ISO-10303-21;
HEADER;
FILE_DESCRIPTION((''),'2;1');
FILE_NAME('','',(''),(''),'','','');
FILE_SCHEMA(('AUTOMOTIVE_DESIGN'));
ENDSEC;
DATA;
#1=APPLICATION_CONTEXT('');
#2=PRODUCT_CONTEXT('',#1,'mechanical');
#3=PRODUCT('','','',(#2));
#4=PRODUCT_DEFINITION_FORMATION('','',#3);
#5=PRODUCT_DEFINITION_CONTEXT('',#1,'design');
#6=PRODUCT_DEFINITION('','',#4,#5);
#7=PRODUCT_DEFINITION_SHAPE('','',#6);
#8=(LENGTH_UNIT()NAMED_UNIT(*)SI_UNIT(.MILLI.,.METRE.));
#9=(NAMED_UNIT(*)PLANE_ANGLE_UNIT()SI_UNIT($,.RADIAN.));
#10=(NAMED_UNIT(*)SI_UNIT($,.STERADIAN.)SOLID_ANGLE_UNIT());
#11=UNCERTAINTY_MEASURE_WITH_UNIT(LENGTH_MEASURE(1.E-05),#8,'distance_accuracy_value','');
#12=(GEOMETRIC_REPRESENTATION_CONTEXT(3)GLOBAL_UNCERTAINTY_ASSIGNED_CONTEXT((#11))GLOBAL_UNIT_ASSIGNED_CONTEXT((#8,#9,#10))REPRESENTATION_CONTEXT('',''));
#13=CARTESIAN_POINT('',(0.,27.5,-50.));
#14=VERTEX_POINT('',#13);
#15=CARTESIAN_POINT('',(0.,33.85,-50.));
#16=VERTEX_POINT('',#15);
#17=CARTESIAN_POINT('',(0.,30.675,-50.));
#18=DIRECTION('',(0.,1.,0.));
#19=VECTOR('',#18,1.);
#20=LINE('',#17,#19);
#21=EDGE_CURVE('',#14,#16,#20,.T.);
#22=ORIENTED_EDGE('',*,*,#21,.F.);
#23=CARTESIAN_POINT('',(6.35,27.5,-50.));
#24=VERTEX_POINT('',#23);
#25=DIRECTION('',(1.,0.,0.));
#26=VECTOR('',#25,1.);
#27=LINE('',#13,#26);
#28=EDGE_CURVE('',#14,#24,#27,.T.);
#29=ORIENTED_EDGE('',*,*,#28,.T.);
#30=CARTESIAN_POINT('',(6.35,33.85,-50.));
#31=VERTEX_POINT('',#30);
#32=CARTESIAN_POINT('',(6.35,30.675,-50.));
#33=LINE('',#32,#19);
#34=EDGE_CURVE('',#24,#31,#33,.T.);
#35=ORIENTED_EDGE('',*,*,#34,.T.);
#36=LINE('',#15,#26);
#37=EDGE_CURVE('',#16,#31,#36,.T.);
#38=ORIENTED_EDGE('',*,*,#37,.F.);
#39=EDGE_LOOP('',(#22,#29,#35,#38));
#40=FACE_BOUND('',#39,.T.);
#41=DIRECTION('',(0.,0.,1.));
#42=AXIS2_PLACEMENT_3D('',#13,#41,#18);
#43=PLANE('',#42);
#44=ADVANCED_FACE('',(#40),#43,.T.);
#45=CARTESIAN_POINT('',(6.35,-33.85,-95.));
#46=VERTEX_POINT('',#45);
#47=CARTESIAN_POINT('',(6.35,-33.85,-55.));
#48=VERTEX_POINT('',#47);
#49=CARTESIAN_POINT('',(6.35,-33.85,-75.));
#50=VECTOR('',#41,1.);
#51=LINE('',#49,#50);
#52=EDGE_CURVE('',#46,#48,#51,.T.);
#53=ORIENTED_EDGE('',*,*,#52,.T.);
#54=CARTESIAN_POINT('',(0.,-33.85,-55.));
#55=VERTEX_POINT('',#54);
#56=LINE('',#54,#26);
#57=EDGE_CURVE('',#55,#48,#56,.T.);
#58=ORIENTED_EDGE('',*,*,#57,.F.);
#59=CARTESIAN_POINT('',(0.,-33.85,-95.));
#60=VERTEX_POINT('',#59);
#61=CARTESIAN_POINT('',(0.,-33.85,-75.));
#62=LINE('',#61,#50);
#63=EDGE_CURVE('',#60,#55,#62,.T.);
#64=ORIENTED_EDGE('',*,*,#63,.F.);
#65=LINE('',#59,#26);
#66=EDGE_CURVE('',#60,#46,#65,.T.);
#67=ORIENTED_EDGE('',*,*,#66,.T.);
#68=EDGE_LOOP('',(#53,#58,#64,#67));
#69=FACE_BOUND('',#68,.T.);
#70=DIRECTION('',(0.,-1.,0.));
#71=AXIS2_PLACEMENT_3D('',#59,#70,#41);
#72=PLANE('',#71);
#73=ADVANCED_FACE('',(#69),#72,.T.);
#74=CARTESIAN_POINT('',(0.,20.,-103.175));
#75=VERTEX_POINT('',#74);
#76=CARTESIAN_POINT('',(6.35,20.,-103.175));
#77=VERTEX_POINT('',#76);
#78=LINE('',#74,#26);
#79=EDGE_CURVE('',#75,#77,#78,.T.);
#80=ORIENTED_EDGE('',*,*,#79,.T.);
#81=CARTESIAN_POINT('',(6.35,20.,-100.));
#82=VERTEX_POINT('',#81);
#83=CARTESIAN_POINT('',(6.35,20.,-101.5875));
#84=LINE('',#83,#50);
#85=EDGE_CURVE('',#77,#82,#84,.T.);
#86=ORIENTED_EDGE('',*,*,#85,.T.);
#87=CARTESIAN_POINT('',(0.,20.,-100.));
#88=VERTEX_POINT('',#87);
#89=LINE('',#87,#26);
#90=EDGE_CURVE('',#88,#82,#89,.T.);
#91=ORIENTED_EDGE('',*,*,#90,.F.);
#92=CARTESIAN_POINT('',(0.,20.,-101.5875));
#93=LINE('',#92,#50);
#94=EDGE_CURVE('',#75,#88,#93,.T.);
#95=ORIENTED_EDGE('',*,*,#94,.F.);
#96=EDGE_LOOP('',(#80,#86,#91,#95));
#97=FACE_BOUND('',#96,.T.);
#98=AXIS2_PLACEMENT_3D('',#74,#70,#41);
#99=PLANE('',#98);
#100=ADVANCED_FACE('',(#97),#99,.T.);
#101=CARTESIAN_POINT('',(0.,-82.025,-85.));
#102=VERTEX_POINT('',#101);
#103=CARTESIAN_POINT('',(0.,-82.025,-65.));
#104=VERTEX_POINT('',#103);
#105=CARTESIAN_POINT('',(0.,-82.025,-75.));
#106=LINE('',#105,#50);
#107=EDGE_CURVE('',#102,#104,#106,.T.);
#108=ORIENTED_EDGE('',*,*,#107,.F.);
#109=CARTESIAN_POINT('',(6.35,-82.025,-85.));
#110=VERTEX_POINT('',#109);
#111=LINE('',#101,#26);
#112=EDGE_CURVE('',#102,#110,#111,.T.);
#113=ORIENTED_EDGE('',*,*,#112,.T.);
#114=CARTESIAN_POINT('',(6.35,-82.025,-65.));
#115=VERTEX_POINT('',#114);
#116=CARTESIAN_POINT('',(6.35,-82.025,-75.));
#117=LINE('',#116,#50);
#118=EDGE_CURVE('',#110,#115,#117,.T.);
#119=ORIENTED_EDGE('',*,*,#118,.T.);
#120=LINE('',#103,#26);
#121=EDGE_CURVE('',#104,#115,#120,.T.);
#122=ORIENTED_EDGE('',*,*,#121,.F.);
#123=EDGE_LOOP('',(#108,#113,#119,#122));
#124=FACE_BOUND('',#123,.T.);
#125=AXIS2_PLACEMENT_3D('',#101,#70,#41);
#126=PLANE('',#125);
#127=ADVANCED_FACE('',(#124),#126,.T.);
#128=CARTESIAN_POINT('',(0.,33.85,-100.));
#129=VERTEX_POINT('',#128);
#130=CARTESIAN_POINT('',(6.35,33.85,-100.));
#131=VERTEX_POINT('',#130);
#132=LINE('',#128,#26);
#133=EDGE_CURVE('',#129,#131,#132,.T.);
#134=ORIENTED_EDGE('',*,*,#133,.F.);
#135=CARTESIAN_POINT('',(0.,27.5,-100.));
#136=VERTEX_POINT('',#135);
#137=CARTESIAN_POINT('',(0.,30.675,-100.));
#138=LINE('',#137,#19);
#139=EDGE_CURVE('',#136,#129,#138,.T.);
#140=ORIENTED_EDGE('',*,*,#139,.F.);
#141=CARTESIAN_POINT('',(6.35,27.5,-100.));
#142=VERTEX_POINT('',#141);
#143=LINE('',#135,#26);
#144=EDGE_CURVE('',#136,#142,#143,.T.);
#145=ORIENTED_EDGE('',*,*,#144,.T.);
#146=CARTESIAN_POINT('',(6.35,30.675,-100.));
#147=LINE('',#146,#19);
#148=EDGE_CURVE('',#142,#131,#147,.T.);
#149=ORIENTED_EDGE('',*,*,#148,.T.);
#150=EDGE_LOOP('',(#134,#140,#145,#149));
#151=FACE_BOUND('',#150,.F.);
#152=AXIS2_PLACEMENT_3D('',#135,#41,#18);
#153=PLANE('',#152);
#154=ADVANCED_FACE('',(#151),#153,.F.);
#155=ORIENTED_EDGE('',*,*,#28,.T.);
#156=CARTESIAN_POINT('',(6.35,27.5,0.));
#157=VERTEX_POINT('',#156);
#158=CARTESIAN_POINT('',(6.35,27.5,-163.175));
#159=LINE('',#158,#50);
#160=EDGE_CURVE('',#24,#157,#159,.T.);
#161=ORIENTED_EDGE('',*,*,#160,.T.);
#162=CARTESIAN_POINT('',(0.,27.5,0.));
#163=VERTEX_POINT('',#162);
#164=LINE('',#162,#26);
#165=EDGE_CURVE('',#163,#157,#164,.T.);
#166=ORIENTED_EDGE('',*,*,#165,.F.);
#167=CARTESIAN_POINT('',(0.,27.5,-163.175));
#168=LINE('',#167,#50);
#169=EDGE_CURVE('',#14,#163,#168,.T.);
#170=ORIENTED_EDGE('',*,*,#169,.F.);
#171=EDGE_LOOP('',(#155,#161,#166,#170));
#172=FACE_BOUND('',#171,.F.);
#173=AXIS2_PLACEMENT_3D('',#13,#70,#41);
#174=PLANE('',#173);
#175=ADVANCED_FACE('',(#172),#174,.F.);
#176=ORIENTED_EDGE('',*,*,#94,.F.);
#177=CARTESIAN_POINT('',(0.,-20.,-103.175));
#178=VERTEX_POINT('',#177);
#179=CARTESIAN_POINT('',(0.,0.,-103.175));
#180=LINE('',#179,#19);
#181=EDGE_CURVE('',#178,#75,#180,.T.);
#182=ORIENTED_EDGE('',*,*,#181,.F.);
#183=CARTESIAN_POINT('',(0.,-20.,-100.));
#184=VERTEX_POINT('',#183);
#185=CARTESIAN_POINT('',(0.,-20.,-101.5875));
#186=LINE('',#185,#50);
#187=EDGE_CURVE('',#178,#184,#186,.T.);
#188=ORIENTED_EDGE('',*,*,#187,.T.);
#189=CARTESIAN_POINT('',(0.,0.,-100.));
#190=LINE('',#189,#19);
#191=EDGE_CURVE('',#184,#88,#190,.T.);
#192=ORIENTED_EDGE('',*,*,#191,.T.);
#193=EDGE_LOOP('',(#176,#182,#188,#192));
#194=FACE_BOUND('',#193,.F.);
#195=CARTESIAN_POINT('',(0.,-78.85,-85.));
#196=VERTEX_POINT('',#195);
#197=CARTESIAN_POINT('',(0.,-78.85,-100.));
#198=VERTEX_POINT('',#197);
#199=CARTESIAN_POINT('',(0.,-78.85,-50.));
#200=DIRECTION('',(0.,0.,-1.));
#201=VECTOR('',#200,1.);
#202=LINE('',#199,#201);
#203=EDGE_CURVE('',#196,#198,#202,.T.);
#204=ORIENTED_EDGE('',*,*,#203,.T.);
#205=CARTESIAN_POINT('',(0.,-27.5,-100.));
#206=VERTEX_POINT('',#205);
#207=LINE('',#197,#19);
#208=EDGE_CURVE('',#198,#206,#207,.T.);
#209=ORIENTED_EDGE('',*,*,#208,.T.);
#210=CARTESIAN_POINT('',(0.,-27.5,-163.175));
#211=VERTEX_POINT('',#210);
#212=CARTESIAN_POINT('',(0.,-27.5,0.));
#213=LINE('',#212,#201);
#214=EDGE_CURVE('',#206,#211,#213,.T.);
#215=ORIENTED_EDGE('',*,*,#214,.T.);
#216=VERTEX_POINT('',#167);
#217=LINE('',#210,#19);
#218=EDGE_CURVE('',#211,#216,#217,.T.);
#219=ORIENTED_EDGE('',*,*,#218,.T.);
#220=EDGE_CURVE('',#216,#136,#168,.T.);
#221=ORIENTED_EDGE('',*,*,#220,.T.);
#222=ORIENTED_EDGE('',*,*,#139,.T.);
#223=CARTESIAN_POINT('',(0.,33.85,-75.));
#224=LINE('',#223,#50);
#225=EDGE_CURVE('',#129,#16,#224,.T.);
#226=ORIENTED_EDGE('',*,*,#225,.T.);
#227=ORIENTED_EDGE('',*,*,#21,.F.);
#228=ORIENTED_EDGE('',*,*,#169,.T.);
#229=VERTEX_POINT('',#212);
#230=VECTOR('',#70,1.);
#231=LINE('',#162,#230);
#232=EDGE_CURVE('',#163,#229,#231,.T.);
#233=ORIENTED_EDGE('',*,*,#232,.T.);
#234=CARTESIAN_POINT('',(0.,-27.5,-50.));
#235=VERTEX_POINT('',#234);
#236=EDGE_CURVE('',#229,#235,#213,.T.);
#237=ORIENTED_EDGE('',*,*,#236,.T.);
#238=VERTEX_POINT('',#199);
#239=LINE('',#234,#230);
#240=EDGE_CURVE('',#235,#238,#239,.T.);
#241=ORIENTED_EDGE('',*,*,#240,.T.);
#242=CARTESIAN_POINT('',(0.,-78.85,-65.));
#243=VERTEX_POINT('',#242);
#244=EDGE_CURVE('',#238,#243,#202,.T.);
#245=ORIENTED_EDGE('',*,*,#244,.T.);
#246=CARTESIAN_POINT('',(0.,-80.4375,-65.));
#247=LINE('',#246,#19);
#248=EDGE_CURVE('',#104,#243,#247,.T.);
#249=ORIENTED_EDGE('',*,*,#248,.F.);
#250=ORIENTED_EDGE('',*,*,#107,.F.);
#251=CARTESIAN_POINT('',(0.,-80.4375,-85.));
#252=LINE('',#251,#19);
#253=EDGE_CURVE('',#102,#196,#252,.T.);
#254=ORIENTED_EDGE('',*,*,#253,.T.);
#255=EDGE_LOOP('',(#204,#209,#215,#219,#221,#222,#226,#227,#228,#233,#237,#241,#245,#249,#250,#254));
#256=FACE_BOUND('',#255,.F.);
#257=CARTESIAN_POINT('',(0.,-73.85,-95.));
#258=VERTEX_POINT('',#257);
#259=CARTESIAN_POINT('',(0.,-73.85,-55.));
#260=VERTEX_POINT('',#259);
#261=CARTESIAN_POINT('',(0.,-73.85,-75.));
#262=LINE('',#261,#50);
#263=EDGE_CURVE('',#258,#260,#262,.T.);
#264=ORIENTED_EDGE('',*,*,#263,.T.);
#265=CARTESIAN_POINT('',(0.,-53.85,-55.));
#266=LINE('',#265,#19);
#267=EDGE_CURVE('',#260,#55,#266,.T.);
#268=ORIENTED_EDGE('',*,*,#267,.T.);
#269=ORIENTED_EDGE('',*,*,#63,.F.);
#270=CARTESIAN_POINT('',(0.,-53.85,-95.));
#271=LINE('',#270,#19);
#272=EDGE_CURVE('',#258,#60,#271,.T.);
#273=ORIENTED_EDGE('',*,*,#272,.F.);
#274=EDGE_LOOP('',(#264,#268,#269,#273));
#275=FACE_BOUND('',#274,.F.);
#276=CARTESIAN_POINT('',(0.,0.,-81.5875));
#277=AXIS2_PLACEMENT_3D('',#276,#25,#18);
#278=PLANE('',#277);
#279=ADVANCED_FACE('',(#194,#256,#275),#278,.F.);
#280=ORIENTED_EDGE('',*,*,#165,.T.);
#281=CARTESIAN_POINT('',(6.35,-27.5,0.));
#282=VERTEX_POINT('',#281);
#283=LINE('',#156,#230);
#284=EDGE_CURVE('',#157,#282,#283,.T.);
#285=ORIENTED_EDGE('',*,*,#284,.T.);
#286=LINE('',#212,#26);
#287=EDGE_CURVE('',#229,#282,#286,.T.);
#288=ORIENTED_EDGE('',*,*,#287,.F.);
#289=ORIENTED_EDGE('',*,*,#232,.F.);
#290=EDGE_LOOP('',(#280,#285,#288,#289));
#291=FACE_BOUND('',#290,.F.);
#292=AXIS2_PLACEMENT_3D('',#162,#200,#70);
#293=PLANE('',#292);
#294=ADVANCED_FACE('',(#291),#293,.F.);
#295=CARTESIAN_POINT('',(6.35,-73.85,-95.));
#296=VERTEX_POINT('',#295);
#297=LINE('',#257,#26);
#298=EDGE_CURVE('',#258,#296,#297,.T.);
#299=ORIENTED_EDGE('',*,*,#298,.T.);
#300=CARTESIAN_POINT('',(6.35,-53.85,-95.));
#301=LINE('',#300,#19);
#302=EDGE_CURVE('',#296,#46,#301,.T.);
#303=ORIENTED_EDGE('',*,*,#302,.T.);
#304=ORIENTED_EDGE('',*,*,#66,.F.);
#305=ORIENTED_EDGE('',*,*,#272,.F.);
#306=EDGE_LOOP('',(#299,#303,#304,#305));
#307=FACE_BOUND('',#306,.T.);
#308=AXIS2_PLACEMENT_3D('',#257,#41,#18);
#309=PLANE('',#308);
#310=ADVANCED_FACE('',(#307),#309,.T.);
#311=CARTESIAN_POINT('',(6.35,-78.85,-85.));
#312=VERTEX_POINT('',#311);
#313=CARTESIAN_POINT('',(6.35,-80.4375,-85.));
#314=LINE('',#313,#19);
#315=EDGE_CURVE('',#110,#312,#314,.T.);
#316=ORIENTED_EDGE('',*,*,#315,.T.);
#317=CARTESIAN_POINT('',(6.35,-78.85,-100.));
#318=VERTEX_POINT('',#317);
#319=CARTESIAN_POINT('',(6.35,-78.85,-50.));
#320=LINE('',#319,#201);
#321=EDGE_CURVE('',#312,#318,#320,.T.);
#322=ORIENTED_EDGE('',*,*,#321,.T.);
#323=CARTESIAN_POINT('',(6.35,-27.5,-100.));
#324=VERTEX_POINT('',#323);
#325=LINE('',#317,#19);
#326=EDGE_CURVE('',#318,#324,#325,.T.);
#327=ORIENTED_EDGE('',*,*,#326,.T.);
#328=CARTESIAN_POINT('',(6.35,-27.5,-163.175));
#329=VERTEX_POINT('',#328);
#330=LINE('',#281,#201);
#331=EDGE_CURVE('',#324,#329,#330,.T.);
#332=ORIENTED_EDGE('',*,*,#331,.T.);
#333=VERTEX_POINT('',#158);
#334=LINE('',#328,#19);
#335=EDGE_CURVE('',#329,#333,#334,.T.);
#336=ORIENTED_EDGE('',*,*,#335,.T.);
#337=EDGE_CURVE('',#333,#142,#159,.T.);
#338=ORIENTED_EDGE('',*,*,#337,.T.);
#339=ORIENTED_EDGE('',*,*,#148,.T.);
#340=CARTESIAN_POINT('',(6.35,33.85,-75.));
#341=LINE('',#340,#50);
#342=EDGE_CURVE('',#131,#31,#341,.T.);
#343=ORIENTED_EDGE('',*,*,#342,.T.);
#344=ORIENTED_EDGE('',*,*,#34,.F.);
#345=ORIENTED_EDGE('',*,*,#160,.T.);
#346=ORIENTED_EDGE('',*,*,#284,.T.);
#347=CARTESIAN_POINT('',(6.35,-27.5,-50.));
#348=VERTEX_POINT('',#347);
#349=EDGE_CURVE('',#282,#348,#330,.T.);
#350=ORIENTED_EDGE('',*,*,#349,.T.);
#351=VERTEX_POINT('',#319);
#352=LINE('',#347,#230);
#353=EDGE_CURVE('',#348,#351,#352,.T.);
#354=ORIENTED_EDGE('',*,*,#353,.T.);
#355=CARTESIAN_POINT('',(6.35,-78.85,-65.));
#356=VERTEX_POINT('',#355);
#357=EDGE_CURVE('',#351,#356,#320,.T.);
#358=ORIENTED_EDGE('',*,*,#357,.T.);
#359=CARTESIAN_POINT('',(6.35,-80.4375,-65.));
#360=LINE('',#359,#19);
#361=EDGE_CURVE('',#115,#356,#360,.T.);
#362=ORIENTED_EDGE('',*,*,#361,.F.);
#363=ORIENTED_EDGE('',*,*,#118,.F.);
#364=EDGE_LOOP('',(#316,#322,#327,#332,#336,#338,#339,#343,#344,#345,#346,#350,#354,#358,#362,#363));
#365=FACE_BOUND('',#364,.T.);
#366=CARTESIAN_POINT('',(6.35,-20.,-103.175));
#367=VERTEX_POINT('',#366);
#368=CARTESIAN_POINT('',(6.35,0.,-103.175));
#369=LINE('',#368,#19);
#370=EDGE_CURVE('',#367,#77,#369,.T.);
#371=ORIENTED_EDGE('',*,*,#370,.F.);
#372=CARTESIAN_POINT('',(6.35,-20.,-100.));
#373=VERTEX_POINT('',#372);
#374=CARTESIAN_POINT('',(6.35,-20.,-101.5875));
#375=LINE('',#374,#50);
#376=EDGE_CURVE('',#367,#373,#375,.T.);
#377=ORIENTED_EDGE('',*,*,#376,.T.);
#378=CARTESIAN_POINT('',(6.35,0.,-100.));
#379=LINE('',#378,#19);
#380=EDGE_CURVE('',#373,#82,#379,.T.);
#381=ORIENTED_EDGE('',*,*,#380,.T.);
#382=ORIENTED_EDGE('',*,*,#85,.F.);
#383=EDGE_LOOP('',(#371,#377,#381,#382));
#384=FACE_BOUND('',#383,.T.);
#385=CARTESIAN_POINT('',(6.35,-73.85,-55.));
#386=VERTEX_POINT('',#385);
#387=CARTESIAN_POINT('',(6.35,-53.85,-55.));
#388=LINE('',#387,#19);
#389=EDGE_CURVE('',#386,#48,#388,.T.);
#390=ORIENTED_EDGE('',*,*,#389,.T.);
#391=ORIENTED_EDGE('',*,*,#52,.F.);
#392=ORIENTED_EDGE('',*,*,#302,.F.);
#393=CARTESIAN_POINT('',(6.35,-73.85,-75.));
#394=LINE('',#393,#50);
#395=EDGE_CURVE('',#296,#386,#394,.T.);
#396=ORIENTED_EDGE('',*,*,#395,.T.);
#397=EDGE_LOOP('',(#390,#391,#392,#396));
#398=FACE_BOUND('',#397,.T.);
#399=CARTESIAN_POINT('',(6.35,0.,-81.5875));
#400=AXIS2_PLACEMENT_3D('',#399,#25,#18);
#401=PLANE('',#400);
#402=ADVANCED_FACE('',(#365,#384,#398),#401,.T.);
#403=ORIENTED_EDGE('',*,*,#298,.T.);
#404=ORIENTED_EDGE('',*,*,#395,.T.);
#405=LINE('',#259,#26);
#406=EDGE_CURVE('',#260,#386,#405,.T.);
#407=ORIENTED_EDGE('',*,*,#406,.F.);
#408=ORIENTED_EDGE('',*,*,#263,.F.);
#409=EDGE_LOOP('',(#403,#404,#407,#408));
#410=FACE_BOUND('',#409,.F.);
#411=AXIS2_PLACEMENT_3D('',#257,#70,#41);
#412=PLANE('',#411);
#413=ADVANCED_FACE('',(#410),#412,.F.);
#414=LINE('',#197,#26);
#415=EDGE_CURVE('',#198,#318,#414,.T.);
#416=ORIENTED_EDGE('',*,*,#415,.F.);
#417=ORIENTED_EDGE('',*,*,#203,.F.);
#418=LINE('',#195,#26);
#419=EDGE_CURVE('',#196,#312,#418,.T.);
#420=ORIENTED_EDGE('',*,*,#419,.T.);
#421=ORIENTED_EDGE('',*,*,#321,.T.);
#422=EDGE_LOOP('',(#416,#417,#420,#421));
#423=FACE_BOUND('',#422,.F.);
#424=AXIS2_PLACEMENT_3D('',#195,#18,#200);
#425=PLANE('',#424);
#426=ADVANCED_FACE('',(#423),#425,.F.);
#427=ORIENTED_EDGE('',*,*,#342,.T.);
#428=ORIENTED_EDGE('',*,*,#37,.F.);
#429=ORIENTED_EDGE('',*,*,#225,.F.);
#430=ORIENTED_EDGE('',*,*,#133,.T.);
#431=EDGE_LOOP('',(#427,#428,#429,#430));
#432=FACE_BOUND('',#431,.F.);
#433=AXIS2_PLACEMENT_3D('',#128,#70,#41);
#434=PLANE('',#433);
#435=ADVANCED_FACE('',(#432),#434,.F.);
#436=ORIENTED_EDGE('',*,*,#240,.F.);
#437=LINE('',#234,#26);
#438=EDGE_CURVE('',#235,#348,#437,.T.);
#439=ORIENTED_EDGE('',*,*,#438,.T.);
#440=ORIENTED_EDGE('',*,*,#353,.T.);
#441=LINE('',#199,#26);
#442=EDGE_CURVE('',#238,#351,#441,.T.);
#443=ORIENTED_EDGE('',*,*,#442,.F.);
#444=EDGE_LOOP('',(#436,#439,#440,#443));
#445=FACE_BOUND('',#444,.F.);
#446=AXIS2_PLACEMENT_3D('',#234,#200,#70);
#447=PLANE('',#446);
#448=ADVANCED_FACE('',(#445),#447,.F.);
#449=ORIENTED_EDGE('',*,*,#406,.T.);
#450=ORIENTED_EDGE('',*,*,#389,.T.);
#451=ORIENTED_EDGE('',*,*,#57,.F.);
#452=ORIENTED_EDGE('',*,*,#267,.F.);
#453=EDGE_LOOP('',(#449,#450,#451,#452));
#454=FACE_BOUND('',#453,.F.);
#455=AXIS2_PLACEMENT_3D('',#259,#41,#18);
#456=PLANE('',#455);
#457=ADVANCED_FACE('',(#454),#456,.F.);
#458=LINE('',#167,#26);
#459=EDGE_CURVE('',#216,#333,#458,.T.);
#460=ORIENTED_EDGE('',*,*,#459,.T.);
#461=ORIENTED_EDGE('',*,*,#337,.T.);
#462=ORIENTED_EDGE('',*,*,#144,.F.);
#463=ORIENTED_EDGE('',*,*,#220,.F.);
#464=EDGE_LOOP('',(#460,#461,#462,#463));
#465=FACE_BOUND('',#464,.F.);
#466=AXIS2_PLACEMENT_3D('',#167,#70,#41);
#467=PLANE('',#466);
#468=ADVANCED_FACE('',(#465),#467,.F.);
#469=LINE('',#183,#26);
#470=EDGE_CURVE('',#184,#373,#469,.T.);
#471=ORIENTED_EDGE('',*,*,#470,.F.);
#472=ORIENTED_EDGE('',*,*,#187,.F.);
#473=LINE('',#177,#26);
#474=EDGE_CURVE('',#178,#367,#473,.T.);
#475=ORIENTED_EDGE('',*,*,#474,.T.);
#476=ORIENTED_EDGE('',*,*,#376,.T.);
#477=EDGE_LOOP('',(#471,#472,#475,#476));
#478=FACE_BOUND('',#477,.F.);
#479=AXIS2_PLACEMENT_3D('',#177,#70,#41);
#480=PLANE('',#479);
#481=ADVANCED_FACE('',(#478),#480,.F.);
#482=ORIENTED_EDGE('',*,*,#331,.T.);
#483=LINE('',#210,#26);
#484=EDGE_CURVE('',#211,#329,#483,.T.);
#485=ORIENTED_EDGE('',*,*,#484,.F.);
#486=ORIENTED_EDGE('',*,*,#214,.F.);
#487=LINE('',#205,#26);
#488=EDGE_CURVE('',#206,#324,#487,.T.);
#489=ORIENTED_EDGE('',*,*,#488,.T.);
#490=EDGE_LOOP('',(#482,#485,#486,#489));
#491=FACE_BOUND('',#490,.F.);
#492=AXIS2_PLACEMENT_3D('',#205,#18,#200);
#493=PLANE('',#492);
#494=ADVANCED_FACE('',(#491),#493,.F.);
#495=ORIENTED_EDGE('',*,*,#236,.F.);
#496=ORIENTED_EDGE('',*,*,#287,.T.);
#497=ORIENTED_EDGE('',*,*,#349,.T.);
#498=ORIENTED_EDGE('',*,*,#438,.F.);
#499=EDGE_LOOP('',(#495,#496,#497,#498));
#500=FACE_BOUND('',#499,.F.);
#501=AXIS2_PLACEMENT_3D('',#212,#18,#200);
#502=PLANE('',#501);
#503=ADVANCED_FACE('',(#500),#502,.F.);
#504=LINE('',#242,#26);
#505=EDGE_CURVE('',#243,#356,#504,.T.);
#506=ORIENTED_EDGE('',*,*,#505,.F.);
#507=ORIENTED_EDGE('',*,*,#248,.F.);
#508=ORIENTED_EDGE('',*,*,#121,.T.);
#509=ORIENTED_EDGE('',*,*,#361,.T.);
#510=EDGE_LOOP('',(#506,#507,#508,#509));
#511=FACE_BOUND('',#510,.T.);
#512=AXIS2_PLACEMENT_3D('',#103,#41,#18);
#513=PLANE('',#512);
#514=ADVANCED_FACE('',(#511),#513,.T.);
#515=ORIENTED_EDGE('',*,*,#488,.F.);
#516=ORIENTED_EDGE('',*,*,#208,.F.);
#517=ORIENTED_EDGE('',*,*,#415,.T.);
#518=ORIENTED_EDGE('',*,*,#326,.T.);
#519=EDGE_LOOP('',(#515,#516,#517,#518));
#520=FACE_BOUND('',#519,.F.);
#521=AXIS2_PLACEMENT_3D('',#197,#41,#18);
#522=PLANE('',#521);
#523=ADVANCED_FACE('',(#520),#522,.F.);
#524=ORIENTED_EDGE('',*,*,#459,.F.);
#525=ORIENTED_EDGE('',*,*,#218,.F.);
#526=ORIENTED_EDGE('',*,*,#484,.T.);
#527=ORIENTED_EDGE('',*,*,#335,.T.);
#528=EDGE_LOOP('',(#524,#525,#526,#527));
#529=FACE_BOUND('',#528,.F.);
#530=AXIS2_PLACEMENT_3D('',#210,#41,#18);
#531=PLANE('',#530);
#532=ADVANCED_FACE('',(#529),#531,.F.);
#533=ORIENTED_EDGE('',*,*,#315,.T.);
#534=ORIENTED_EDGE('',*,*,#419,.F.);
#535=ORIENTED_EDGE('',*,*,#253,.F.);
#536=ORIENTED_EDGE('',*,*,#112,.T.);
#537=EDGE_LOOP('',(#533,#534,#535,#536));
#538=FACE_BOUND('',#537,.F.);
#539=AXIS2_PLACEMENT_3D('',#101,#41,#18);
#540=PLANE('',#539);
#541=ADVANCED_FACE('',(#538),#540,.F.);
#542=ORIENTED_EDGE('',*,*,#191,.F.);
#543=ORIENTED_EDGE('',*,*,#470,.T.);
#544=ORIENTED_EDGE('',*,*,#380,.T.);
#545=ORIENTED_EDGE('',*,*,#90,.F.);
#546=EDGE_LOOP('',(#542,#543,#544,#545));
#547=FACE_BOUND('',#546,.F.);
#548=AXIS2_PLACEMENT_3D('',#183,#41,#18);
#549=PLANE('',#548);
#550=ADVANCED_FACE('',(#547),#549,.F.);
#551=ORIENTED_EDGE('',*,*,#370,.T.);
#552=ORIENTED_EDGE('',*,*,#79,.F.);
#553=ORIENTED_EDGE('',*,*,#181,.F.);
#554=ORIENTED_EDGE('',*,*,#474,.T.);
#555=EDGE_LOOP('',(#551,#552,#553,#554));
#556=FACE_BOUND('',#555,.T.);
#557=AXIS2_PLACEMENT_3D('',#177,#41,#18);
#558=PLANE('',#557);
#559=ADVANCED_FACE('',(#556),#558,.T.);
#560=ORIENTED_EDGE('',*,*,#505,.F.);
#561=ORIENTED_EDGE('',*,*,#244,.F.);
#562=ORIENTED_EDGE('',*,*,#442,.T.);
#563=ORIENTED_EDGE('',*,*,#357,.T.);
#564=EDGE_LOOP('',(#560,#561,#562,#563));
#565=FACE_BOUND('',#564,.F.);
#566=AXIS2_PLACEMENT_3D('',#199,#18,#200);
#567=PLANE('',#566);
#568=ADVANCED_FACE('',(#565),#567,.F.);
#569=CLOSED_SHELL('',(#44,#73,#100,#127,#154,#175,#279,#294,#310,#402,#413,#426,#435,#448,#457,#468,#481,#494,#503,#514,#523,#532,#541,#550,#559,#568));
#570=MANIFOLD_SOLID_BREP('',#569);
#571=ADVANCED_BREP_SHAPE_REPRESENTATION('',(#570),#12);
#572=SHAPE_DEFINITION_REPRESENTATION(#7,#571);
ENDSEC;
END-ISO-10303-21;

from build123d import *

# Parameters (mm, degrees)
F0_W     = 40
F0_H     = 3.175
F0_W_2   = 6.35
F0_H_2   = 50
F0_H_3   = 40
F0_W_3   = 3.175
F0_H_4   = 20
F1_DEPTH = 6.35


with BuildPart() as f1:
    # F0 (on Right) → F1 (new body)
    with BuildSketch(Plane.YZ):
        Polygon((27.5, 0), (-27.5, 0), (-27.5, -50), (-27.5, -100), (-27.5, -163.175), (27.5, -163.175), (27.5, -100), (27.5, -50), align=None)
        with Locations((0, -101.5875)):
            Rectangle(F0_W, F0_H, mode=Mode.SUBTRACT)
        with Locations((30.675, -75)):
            Rectangle(F0_W_2, F0_H_2)
        Polygon((-27.5, -100), (-27.5, -50), (-78.85, -50), (-78.85, -65), (-78.85, -85), (-78.85, -100), align=None)
        with Locations((-53.85, -75)):
            Rectangle(F0_W, F0_H_3, mode=Mode.SUBTRACT)
        with Locations((-80.4375, -75)):
            Rectangle(F0_W_3, F0_H_4)
    extrude(amount=F1_DEPTH)


solid = f1.part
